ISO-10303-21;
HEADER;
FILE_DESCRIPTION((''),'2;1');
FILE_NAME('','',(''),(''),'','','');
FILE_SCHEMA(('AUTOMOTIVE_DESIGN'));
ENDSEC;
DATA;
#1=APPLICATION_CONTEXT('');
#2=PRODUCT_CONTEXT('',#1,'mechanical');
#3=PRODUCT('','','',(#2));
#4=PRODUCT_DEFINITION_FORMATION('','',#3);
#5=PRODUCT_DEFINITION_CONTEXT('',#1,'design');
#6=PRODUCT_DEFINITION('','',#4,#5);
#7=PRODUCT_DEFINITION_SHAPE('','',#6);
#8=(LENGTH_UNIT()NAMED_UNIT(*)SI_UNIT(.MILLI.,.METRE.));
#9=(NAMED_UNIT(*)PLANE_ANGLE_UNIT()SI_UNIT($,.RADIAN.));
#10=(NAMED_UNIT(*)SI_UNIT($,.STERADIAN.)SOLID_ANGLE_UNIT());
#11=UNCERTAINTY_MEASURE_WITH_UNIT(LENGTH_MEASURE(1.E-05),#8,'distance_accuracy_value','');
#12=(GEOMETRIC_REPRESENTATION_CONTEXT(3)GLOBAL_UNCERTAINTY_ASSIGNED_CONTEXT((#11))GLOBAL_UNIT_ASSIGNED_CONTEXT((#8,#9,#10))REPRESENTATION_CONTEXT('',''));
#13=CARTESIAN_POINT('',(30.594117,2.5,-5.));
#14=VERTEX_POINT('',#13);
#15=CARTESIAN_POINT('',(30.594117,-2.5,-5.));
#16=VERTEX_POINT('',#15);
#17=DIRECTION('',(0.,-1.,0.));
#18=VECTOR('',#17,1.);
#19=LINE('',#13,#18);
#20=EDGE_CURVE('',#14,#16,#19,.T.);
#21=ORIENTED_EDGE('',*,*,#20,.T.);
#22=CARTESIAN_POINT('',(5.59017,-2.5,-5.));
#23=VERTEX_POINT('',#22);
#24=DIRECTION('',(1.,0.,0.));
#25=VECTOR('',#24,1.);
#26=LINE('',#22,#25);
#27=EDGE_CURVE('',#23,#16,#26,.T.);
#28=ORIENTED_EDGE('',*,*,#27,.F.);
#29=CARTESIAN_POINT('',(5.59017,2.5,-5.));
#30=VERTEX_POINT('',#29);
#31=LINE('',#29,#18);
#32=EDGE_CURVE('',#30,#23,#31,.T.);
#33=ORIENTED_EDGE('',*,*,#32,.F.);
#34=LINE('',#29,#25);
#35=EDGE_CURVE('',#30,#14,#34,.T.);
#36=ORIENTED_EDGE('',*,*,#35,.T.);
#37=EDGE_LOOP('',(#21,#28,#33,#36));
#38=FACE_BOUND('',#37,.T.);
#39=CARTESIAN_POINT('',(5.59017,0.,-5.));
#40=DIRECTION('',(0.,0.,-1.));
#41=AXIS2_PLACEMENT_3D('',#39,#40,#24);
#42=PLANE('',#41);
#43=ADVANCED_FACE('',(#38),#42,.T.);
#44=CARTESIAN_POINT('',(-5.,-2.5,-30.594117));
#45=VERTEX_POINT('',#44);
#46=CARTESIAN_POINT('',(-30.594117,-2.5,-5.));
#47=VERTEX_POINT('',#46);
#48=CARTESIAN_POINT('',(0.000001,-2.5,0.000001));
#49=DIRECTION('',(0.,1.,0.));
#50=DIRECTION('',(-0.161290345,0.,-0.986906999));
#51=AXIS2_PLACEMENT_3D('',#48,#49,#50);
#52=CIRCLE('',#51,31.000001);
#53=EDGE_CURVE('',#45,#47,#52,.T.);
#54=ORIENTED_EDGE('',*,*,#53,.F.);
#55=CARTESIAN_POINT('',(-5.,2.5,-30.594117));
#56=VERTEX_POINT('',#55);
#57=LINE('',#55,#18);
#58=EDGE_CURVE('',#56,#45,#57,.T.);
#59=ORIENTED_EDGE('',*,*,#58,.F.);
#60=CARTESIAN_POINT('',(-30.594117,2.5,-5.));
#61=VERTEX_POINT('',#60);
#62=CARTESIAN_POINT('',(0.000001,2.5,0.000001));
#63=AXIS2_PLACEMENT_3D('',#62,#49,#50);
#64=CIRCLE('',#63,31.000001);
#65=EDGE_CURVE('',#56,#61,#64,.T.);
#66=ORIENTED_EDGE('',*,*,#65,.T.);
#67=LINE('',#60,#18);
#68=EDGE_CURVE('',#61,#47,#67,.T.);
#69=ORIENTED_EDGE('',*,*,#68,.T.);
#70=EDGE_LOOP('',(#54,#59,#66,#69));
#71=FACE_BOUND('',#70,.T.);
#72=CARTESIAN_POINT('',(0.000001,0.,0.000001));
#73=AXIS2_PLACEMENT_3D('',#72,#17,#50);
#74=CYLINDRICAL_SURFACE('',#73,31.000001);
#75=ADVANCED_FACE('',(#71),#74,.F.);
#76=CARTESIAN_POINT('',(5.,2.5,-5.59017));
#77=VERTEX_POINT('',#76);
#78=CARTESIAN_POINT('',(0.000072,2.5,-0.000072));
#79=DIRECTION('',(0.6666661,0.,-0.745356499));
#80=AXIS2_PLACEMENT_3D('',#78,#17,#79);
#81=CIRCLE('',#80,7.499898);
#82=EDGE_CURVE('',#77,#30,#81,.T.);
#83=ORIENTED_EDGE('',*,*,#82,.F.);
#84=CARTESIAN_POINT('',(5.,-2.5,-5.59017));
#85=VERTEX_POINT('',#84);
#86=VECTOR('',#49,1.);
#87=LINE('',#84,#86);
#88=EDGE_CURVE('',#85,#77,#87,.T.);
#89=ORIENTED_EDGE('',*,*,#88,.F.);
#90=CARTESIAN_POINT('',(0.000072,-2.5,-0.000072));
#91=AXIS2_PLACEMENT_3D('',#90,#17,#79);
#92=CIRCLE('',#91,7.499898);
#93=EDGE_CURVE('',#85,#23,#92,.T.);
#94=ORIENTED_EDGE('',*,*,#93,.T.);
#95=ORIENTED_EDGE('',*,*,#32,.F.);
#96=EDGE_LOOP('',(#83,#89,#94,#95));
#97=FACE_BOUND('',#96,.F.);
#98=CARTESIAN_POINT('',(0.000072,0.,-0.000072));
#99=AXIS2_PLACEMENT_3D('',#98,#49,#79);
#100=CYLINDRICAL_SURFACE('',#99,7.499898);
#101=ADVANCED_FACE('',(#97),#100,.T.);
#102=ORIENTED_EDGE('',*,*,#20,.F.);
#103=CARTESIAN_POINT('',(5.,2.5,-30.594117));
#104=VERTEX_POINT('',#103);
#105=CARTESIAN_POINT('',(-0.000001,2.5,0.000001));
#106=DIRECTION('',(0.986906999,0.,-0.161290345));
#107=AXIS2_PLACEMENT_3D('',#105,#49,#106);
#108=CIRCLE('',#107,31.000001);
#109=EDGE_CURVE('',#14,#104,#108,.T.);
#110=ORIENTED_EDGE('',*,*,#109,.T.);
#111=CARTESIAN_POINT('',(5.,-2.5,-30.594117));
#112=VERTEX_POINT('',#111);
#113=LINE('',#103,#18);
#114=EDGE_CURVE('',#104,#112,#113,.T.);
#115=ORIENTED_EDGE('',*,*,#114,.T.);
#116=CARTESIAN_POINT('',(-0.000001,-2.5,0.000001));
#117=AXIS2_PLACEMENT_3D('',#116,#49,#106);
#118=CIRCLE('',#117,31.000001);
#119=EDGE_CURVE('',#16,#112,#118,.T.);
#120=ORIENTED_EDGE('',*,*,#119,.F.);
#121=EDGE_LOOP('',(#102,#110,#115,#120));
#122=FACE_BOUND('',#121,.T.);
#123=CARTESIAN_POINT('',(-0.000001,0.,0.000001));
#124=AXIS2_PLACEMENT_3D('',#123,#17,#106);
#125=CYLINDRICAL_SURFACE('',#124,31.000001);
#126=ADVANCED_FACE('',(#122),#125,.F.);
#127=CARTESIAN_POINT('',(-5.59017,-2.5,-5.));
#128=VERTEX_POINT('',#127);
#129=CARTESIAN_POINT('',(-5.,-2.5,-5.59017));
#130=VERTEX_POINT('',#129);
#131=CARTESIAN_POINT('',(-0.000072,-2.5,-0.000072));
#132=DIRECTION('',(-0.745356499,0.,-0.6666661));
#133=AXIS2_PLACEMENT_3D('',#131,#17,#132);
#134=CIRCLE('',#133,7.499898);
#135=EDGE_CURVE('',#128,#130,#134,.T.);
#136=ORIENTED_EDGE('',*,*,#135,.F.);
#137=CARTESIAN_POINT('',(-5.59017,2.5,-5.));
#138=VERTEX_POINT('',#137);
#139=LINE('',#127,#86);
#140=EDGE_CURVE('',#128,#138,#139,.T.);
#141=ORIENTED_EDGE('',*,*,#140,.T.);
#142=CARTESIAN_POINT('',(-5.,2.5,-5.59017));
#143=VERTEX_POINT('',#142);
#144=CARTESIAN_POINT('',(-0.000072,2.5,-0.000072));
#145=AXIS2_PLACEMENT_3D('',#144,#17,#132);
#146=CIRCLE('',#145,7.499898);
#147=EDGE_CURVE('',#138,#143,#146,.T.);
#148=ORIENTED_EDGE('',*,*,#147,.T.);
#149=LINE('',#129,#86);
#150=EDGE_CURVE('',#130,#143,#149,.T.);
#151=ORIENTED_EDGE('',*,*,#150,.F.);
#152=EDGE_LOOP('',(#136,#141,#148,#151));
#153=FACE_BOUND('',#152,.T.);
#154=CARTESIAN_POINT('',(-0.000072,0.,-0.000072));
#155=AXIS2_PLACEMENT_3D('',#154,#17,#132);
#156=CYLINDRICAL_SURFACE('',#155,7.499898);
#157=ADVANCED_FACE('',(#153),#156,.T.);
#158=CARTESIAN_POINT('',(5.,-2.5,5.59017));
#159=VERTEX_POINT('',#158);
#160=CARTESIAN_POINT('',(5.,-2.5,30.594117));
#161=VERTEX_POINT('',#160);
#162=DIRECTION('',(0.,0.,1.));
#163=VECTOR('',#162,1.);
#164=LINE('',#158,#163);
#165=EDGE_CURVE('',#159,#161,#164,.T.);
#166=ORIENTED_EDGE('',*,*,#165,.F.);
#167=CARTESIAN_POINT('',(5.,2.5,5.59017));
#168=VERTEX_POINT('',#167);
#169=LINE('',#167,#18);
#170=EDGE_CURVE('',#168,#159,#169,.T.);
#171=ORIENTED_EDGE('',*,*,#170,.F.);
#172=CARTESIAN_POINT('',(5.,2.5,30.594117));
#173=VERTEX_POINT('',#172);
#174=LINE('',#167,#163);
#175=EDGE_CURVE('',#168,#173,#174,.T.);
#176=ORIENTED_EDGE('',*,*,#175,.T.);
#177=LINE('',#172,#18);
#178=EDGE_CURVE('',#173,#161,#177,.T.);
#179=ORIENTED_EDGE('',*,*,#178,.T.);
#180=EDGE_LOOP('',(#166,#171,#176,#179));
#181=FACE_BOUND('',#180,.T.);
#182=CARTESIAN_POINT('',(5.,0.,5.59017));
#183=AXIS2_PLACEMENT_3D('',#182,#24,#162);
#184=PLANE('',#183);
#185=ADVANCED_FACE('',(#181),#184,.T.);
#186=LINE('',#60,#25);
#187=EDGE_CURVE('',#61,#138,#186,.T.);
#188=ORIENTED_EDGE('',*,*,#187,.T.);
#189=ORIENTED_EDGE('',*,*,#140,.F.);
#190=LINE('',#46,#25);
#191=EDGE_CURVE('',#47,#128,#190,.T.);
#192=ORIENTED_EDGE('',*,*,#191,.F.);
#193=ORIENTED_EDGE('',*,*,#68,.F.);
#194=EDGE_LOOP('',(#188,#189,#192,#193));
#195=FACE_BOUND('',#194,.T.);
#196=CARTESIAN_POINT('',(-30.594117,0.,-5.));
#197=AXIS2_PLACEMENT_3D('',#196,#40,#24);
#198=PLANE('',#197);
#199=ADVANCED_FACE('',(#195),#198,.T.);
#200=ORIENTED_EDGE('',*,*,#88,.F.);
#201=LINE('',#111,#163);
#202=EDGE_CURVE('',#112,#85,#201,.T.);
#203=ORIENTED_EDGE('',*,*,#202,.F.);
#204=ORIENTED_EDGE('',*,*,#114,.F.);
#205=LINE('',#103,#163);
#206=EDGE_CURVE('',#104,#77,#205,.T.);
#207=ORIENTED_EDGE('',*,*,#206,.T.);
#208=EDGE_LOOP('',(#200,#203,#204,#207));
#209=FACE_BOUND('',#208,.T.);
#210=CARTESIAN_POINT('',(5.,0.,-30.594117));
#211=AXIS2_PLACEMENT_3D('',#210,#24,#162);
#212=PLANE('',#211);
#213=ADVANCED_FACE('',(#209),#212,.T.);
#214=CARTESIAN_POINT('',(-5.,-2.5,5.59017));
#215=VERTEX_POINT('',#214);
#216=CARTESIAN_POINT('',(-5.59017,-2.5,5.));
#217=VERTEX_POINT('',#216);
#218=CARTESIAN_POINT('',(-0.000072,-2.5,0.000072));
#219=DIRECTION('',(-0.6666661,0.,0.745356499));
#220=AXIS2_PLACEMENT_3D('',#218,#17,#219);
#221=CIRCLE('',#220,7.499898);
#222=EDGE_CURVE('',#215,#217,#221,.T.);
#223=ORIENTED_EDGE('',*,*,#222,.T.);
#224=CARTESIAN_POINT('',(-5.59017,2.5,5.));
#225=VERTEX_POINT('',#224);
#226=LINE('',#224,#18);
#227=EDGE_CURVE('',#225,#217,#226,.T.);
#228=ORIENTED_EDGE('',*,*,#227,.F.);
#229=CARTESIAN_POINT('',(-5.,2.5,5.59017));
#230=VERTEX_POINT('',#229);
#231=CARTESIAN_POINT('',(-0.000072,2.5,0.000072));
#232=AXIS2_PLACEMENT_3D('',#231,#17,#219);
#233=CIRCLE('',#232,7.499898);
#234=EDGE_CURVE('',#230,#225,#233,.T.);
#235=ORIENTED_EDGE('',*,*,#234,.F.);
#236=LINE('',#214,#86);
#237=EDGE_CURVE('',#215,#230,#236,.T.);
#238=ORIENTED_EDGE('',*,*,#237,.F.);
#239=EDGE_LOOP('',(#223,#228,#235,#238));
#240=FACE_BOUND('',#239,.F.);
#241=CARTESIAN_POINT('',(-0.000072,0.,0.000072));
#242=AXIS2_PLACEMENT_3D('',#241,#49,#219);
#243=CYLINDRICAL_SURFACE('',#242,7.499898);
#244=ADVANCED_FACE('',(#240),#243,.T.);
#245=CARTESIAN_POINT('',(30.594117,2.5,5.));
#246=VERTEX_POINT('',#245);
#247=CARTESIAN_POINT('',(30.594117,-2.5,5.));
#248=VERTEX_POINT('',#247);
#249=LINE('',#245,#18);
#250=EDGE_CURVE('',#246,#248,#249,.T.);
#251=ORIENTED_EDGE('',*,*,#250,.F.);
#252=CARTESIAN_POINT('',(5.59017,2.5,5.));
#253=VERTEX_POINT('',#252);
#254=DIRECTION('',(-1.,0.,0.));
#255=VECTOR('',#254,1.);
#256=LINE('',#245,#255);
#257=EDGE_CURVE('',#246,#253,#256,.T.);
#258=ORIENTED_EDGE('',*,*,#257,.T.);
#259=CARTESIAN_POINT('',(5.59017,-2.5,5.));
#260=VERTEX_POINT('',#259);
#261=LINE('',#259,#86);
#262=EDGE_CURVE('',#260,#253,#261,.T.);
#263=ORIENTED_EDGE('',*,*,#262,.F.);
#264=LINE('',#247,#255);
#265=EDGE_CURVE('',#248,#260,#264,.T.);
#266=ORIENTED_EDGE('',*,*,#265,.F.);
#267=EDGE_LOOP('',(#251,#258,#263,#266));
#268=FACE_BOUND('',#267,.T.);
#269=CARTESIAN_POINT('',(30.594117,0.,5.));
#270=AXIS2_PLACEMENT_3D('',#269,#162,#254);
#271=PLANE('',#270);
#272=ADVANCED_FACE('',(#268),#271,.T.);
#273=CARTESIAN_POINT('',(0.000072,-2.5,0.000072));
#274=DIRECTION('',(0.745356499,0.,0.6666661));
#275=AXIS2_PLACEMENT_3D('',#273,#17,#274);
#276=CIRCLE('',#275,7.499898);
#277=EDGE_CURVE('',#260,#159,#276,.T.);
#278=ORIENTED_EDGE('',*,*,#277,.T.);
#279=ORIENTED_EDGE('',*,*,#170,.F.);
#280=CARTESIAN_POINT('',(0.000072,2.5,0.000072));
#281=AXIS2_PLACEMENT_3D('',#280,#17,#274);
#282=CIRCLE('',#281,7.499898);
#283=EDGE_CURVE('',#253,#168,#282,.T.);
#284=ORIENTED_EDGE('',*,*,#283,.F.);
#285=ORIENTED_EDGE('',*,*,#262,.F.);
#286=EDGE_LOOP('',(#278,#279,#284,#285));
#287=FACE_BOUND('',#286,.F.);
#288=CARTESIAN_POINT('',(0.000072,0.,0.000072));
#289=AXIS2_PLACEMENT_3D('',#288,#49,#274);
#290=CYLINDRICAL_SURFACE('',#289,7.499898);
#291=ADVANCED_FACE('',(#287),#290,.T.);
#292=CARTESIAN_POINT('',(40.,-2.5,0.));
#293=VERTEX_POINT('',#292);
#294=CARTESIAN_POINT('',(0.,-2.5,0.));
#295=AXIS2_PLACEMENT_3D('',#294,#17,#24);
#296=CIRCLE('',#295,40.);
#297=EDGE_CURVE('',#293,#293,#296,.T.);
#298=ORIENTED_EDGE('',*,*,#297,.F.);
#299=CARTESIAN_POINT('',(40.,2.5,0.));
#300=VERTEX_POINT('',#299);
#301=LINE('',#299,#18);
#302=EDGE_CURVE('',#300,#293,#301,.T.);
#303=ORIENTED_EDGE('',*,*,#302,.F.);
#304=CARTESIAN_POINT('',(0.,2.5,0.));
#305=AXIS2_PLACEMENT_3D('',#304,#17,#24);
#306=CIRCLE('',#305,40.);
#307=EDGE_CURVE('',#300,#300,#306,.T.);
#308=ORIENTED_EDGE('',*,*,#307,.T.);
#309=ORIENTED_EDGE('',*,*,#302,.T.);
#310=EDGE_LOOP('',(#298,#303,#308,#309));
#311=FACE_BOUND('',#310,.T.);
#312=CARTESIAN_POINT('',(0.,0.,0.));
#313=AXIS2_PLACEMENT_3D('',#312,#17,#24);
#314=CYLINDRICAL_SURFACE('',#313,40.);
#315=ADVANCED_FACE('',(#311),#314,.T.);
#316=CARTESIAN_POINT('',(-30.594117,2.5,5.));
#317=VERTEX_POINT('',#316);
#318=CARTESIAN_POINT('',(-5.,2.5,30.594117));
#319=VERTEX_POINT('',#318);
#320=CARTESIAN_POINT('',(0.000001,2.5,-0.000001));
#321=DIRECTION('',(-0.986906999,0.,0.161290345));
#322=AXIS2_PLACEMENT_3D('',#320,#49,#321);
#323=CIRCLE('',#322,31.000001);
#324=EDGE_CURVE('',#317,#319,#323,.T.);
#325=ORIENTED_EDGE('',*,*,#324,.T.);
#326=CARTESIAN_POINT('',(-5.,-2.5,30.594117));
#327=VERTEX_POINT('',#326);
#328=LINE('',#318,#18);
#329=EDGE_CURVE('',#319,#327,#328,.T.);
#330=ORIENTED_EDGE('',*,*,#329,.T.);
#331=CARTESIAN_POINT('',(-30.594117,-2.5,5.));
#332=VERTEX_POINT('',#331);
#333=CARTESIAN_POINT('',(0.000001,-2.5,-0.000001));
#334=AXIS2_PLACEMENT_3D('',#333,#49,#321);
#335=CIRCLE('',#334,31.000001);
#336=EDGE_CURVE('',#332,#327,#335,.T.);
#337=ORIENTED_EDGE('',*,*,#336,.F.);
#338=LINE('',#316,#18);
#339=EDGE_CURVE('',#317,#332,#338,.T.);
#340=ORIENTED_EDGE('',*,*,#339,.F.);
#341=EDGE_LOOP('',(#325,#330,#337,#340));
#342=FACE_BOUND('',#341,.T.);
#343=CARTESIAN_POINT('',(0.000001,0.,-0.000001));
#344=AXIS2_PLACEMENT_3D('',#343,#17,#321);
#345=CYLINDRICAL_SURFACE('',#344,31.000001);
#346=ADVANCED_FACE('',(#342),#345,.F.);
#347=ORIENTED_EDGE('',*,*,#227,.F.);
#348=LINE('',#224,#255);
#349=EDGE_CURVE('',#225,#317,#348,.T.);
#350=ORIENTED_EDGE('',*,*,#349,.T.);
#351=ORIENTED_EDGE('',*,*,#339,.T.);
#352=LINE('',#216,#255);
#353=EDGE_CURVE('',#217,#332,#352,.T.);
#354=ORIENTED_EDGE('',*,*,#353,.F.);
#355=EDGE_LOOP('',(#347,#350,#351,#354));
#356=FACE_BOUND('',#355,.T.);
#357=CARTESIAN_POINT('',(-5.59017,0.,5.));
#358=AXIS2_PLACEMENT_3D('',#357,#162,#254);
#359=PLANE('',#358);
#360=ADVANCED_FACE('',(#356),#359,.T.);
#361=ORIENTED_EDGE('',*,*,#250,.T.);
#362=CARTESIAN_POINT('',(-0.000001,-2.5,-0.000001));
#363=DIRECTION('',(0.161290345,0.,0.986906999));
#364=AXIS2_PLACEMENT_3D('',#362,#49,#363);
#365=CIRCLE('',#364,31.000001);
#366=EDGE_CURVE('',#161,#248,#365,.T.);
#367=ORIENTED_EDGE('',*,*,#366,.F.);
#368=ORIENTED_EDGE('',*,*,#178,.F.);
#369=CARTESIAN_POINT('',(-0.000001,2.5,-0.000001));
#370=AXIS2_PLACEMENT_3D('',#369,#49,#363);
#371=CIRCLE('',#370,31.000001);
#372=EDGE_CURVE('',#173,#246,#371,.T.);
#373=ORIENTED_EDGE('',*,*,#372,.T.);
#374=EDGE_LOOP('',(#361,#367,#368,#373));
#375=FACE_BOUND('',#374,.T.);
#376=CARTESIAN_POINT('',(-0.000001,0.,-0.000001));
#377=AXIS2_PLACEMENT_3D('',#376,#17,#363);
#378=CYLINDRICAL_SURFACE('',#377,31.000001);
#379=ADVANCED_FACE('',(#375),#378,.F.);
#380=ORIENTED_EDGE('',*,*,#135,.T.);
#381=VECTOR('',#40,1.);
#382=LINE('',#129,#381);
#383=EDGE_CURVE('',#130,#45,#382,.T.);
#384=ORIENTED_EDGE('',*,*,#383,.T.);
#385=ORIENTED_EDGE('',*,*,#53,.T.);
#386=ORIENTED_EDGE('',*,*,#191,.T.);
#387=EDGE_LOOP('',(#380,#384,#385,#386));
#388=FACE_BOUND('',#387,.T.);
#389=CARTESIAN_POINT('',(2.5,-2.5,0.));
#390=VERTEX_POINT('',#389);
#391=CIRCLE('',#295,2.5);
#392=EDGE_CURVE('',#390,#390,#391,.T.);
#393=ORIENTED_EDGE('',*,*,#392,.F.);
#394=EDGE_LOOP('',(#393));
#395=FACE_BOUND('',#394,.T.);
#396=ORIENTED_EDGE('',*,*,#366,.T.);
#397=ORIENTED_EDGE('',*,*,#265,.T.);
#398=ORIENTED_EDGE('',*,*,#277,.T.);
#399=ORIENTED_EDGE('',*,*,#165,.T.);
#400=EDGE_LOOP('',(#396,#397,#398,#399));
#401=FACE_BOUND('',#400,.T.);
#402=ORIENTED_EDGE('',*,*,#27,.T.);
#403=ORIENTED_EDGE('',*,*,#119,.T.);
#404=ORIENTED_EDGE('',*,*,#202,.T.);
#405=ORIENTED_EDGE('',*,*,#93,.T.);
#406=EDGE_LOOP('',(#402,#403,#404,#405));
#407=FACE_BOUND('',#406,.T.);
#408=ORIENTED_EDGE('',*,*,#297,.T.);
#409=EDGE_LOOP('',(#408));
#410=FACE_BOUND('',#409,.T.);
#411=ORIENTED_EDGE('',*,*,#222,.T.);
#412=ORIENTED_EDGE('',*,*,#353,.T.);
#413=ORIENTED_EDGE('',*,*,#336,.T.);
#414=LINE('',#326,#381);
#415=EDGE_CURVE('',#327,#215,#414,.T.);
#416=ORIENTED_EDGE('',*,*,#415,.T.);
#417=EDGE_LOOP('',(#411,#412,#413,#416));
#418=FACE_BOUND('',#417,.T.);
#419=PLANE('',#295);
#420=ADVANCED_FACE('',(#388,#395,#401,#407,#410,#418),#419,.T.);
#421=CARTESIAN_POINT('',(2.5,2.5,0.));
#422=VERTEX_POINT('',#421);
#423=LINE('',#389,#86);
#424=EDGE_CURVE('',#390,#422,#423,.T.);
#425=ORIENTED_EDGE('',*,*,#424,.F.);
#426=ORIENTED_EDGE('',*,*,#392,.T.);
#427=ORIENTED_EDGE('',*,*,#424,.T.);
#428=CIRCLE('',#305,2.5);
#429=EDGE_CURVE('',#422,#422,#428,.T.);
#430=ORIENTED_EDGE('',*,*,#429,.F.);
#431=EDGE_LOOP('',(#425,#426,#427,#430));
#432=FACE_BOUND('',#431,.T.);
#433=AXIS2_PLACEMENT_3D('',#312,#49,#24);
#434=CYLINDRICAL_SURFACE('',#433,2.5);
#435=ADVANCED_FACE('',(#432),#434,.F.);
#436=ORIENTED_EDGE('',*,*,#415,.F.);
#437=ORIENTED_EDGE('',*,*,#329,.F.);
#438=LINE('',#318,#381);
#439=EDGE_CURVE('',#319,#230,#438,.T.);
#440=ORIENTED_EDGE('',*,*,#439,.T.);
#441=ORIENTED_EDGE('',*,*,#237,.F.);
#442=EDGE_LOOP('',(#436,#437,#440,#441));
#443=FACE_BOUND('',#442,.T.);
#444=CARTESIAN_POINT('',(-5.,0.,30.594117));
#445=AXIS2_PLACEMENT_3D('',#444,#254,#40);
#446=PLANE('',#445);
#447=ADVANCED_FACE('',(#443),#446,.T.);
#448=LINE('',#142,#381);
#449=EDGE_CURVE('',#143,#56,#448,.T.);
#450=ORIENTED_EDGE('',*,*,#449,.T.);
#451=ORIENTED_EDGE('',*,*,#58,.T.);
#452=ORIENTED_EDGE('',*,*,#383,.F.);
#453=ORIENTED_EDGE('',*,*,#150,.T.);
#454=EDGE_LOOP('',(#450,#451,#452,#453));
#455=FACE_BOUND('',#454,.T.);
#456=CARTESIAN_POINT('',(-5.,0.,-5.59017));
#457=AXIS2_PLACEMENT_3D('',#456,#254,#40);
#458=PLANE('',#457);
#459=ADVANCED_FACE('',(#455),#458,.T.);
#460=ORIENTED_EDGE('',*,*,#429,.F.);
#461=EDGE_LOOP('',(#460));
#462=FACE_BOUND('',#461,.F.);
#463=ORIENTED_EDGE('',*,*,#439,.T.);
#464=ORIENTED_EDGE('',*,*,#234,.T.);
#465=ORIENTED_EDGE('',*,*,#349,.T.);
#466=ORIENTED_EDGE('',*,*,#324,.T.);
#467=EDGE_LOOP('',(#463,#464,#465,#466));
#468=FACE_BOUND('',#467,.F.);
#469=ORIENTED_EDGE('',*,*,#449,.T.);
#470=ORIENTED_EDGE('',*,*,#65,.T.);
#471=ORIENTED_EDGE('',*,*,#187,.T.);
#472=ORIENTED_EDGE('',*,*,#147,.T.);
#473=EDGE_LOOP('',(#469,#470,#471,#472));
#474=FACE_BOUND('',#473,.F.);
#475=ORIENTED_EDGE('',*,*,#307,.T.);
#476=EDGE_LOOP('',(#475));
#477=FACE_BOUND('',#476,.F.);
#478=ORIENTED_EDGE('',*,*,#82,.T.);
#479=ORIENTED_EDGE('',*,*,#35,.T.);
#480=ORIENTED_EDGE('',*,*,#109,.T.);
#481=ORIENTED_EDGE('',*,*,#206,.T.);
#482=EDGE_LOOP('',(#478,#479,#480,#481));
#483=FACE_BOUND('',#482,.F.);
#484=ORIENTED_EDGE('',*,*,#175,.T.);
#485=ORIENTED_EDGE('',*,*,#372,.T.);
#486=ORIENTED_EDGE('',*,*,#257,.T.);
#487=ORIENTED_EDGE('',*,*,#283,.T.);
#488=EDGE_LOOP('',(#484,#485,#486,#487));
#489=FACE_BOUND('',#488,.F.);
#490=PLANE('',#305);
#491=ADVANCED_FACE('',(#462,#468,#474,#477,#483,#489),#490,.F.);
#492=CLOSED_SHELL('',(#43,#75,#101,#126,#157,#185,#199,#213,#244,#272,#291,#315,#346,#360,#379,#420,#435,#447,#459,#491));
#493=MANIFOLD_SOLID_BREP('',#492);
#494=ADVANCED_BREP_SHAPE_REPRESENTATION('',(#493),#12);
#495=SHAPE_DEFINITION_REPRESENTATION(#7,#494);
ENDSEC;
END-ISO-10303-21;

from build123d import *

# Parameters (mm, degrees)
F0_R     = 40
F0_R_2   = 2.5
F1_DEPTH = 2.5


with BuildPart() as f1:
    # F0 (on Front) → F1 (new body, symmetric)
    with BuildSketch(Plane.XZ):
        Circle(F0_R)
        with BuildLine():
            ThreePointArc((-5, -30.594117), (-21.92031, -21.92031), (-30.594117, -5))
            Line((-30.594117, -5), (-5.59017, -5))
            ThreePointArc((-5.59017, -5), (-5.303301, -5.303301), (-5, -5.59017))
            Line((-5, -5.59017), (-5, -30.594117))
        make_face(mode=Mode.SUBTRACT)
        with BuildLine():
            Line((5, -30.594117), (5, -5.59017))
            ThreePointArc((5, -5.59017), (5.303301, -5.303301), (5.59017, -5))
            Line((5.59017, -5), (30.594117, -5))
            ThreePointArc((30.594117, -5), (21.92031, -21.92031), (5, -30.594117))
        make_face(mode=Mode.SUBTRACT)
        with BuildLine():
            Line((-5, 30.594117), (-5, 5.59017))
            ThreePointArc((-5, 5.59017), (-5.303301, 5.303301), (-5.59017, 5))
            Line((-5.59017, 5), (-30.594117, 5))
            ThreePointArc((-30.594117, 5), (-21.92031, 21.92031), (-5, 30.594117))
        make_face(mode=Mode.SUBTRACT)
        Circle(F0_R_2, mode=Mode.SUBTRACT)
        with BuildLine():
            ThreePointArc((5.59017, 5), (5.303301, 5.303301), (5, 5.59017))
            Line((5, 5.59017), (5, 30.594117))
            ThreePointArc((5, 30.594117), (21.92031, 21.92031), (30.594117, 5))
            Line((30.594117, 5), (5.59017, 5))
        make_face(mode=Mode.SUBTRACT)
    extrude(amount=F1_DEPTH, both=True)


solid = f1.part
